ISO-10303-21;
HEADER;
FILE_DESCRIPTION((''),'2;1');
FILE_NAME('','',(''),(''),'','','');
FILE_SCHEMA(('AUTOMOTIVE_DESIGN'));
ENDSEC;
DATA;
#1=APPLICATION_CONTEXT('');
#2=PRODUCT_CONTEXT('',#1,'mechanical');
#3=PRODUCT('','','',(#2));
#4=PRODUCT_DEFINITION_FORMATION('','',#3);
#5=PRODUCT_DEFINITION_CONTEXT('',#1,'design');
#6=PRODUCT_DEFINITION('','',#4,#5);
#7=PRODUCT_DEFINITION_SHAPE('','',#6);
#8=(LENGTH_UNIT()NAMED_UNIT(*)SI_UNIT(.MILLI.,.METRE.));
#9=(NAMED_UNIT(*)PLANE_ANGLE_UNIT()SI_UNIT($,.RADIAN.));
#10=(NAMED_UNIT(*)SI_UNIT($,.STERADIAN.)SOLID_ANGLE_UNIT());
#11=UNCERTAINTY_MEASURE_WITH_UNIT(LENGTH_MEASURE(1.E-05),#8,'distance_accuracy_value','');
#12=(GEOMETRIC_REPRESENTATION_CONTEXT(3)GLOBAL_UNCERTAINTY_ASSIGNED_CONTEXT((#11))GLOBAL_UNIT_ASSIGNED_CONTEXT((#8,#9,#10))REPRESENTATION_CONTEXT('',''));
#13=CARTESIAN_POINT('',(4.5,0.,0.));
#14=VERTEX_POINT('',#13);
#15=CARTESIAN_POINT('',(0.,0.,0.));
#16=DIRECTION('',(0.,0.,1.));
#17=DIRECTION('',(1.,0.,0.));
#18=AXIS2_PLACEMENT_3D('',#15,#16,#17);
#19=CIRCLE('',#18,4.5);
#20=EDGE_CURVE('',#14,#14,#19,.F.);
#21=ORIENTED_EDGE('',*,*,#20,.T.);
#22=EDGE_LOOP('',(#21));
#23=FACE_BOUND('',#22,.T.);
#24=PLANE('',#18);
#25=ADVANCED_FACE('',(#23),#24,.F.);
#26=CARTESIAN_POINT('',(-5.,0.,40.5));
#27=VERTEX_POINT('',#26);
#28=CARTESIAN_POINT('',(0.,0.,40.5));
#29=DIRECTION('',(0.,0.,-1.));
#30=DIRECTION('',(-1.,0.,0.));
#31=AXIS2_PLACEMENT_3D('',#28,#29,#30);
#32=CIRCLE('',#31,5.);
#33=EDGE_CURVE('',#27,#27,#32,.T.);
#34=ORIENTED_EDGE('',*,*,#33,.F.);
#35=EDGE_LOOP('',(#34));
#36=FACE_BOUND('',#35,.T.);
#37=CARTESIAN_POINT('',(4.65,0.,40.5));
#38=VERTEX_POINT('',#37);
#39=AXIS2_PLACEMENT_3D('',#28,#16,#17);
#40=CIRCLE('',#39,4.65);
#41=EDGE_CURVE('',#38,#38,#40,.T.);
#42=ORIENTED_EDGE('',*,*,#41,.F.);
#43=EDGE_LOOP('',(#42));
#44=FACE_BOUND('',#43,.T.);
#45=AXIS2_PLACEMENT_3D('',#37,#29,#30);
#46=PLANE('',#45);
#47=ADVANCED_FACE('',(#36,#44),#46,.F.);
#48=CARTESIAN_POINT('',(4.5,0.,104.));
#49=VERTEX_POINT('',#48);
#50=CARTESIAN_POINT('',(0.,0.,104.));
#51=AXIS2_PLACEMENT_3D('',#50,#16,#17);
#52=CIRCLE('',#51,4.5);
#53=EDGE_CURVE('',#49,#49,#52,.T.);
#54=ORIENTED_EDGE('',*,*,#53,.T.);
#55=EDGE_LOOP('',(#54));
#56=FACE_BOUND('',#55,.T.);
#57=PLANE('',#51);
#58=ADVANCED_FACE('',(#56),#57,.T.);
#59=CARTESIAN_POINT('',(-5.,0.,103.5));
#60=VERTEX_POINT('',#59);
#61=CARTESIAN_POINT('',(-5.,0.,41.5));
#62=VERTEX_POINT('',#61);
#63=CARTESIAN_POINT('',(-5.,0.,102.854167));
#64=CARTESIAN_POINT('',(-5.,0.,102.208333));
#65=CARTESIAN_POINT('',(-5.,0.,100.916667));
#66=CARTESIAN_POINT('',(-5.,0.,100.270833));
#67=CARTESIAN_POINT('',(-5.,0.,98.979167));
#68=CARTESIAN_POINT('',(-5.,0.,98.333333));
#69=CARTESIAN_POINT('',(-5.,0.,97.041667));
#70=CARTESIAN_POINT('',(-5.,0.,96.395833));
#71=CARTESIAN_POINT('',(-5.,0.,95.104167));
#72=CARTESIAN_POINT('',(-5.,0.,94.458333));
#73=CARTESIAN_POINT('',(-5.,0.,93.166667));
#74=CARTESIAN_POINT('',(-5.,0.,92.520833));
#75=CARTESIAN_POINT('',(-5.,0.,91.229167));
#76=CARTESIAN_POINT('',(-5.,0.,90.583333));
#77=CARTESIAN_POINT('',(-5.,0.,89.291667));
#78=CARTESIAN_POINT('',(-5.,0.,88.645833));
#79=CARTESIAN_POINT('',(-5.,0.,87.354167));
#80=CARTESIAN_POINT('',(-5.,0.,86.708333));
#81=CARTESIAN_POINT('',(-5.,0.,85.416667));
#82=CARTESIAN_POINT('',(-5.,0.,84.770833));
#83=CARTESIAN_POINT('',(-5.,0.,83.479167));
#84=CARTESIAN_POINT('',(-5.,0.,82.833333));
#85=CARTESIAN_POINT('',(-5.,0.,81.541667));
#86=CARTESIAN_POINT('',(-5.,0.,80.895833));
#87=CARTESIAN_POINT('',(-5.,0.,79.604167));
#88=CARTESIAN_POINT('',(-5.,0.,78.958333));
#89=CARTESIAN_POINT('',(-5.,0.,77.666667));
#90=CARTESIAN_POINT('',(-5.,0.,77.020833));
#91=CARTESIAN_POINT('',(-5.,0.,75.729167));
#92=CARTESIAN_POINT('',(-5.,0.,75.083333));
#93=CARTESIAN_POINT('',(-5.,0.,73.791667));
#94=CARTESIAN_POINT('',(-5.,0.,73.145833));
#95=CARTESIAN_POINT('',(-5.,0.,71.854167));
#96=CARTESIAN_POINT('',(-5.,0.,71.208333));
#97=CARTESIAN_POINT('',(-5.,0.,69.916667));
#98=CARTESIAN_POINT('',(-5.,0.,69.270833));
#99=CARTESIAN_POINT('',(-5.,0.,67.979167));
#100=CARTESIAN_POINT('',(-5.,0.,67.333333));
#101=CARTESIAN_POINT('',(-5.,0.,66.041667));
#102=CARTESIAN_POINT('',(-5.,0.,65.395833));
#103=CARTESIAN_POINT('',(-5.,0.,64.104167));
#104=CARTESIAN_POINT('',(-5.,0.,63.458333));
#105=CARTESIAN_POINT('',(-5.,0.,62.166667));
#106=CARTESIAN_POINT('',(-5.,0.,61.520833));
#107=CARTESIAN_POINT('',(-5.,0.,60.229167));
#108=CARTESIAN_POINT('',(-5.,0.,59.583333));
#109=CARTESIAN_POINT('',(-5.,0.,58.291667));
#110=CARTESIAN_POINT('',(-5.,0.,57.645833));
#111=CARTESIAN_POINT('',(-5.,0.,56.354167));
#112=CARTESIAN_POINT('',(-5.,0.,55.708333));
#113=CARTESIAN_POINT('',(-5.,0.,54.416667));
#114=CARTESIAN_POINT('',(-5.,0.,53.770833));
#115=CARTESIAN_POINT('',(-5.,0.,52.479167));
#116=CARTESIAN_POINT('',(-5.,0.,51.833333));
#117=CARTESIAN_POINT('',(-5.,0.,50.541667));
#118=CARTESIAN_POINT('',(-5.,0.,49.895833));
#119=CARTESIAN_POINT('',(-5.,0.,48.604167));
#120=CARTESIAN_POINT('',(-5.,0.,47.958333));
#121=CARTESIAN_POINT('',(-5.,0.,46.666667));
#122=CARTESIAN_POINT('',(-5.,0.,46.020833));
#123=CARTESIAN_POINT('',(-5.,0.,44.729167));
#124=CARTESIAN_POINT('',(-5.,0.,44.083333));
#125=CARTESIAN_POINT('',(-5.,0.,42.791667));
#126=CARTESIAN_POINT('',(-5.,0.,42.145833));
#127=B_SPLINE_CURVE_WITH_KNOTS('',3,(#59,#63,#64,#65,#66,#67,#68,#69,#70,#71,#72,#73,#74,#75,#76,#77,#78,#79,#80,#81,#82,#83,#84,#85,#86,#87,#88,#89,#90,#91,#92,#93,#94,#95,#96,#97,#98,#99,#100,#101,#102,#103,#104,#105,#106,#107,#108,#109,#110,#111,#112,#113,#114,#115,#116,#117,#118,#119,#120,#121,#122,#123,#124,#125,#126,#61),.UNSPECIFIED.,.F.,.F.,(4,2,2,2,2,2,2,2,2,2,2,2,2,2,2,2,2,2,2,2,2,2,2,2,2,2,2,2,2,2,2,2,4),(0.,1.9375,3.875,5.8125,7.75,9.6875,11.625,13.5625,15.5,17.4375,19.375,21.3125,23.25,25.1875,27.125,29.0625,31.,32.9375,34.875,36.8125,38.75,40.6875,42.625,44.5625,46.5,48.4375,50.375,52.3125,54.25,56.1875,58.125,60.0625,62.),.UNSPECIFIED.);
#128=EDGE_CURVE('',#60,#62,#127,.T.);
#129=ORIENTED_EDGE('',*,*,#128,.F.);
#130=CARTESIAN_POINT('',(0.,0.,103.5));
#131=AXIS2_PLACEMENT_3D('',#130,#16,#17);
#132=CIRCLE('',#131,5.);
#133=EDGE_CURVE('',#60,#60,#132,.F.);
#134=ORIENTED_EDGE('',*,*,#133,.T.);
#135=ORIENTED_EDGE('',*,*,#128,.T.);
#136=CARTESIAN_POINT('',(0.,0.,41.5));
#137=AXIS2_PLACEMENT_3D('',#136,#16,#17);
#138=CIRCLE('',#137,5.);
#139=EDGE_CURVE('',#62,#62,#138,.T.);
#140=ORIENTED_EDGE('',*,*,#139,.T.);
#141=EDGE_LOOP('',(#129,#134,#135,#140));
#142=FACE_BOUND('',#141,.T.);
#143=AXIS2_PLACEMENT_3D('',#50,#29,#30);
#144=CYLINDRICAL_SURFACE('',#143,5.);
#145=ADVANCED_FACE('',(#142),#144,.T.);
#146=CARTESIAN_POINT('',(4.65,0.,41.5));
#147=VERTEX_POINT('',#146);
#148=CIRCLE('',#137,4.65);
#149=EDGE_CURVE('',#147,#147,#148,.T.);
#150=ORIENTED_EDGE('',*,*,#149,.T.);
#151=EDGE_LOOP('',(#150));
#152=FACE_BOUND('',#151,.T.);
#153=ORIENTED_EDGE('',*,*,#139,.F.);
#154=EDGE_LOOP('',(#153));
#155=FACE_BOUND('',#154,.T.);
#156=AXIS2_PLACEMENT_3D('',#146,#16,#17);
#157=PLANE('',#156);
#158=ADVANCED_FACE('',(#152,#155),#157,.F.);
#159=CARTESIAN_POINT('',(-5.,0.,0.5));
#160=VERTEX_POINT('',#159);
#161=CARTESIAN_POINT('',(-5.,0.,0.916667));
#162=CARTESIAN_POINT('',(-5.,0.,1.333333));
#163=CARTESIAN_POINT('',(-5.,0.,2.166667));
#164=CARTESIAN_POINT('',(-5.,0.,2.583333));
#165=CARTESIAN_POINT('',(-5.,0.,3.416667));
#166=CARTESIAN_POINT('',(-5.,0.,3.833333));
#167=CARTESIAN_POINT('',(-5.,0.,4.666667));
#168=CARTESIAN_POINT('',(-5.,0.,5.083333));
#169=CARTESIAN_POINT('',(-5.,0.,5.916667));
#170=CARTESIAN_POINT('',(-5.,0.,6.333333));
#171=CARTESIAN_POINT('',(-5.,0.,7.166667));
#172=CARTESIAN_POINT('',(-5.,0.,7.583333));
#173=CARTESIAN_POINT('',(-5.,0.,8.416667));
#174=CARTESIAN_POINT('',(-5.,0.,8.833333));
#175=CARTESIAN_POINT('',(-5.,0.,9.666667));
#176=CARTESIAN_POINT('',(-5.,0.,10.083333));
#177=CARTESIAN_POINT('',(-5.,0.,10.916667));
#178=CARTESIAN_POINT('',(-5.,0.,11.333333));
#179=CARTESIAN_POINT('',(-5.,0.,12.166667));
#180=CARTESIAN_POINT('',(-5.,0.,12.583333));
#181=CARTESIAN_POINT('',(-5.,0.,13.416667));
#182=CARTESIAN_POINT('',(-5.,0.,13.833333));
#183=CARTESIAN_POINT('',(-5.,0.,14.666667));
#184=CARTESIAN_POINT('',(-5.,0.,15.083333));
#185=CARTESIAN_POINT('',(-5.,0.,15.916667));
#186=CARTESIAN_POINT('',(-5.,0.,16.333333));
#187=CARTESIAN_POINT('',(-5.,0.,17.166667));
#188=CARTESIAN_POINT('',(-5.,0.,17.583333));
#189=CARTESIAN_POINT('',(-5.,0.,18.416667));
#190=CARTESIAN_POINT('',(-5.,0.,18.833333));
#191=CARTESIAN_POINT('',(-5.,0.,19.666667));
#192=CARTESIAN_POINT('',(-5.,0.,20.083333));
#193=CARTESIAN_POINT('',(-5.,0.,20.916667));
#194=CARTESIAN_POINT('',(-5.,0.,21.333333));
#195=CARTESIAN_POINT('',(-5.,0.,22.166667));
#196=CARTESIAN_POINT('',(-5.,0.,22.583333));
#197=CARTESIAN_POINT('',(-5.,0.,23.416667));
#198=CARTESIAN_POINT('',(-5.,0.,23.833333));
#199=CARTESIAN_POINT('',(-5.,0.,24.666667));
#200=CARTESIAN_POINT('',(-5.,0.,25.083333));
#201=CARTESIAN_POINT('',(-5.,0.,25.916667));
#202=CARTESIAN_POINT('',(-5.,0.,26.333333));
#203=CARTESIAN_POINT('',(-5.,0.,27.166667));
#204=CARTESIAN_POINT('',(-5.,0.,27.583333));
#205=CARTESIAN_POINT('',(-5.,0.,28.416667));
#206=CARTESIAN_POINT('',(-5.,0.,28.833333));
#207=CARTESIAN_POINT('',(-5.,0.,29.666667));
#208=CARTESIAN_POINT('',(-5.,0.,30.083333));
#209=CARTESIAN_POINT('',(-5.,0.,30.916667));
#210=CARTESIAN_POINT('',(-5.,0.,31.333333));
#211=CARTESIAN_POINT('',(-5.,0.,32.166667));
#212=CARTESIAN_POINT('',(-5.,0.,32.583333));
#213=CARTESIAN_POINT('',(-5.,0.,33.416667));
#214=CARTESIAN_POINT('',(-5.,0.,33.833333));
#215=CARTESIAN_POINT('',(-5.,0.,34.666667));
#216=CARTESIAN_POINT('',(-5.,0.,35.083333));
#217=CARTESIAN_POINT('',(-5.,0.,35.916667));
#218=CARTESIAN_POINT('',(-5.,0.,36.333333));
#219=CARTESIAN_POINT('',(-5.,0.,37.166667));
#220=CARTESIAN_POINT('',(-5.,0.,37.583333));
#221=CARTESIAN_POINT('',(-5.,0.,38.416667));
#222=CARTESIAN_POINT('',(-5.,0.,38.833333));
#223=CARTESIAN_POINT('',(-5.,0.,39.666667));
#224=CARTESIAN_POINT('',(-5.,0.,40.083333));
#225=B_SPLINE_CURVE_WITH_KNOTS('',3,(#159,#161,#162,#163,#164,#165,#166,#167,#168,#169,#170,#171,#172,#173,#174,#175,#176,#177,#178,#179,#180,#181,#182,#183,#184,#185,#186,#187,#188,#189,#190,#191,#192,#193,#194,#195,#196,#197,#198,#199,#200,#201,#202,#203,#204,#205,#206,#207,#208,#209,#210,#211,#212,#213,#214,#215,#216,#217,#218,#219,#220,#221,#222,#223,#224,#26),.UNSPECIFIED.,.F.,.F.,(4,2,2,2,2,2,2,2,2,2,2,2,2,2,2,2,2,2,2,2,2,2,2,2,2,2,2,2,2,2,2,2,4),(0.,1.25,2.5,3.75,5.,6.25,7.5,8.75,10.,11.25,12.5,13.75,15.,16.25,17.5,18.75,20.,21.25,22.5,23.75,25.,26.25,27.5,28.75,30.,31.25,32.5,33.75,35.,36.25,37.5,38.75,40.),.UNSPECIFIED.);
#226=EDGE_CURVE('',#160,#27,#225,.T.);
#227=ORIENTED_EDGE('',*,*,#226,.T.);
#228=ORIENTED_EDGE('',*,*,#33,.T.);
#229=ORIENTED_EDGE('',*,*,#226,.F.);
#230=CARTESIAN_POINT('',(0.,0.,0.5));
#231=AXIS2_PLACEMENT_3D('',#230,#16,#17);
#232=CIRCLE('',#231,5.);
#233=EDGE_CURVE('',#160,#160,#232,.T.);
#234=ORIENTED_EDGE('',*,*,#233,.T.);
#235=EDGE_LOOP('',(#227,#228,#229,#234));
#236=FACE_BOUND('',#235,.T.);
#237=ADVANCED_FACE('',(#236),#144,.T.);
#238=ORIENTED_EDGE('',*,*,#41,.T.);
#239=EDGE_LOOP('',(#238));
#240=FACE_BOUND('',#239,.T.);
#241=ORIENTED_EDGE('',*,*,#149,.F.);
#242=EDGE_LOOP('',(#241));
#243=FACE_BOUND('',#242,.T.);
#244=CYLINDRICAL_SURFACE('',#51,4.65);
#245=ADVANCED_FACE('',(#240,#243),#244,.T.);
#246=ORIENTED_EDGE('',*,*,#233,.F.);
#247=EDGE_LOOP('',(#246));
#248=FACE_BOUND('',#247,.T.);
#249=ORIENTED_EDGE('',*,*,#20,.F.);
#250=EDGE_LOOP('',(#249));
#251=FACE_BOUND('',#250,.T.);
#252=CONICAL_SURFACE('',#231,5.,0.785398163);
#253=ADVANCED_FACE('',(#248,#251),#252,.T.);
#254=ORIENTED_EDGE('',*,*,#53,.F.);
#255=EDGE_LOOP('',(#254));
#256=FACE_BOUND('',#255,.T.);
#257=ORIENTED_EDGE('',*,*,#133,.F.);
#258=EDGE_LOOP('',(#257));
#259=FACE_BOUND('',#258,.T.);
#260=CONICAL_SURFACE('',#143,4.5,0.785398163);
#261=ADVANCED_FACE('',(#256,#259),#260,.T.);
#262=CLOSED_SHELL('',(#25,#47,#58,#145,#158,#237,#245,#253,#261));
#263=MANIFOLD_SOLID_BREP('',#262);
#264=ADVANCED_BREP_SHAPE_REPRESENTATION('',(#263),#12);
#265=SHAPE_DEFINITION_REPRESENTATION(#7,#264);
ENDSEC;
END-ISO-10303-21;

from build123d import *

# Parameters (mm, degrees)
SKETCH_1_R      = 5
EXTRUDE_1_DEPTH = 104
SKETCH_2_W      = 3.498862739
SKETCH_2_H      = 1
CHAMFER_1_SIZE  = 0.5


with BuildPart() as part:
    # 草图1 → 拉伸1 (new body)
    with BuildSketch(Plane.XY):
        with Locations(Location((0, 0, 0), (0, 0, 180))):
            Circle(SKETCH_1_R)
    extrude(amount=EXTRUDE_1_DEPTH)

    # 草图2 → 切除-旋转1 (revolve, cut)
    with BuildSketch(Plane(origin=(0, 0, 0), x_dir=(1, 0, 0), z_dir=(0, 1, 0)), mode=Mode.PRIVATE) as cut_revolve_1_sk:
        with Locations((6.39943137, -41)):
            Rectangle(SKETCH_2_W, SKETCH_2_H)
    revolve(cut_revolve_1_sk.sketch.rotate(Axis((0, 0, 104), (0, 0, -1)), 180), axis=Axis((0, 0, 104), (0, 0, -1)), mode=Mode.SUBTRACT)

    # 倒角1
    chamfer_1_edges = [part.edges().sort_by_distance(p)[0] for p in [
        (5, 0, 0),
        (5, 0, 104),
    ]]
    chamfer(chamfer_1_edges, length=CHAMFER_1_SIZE)


solid = part.part
